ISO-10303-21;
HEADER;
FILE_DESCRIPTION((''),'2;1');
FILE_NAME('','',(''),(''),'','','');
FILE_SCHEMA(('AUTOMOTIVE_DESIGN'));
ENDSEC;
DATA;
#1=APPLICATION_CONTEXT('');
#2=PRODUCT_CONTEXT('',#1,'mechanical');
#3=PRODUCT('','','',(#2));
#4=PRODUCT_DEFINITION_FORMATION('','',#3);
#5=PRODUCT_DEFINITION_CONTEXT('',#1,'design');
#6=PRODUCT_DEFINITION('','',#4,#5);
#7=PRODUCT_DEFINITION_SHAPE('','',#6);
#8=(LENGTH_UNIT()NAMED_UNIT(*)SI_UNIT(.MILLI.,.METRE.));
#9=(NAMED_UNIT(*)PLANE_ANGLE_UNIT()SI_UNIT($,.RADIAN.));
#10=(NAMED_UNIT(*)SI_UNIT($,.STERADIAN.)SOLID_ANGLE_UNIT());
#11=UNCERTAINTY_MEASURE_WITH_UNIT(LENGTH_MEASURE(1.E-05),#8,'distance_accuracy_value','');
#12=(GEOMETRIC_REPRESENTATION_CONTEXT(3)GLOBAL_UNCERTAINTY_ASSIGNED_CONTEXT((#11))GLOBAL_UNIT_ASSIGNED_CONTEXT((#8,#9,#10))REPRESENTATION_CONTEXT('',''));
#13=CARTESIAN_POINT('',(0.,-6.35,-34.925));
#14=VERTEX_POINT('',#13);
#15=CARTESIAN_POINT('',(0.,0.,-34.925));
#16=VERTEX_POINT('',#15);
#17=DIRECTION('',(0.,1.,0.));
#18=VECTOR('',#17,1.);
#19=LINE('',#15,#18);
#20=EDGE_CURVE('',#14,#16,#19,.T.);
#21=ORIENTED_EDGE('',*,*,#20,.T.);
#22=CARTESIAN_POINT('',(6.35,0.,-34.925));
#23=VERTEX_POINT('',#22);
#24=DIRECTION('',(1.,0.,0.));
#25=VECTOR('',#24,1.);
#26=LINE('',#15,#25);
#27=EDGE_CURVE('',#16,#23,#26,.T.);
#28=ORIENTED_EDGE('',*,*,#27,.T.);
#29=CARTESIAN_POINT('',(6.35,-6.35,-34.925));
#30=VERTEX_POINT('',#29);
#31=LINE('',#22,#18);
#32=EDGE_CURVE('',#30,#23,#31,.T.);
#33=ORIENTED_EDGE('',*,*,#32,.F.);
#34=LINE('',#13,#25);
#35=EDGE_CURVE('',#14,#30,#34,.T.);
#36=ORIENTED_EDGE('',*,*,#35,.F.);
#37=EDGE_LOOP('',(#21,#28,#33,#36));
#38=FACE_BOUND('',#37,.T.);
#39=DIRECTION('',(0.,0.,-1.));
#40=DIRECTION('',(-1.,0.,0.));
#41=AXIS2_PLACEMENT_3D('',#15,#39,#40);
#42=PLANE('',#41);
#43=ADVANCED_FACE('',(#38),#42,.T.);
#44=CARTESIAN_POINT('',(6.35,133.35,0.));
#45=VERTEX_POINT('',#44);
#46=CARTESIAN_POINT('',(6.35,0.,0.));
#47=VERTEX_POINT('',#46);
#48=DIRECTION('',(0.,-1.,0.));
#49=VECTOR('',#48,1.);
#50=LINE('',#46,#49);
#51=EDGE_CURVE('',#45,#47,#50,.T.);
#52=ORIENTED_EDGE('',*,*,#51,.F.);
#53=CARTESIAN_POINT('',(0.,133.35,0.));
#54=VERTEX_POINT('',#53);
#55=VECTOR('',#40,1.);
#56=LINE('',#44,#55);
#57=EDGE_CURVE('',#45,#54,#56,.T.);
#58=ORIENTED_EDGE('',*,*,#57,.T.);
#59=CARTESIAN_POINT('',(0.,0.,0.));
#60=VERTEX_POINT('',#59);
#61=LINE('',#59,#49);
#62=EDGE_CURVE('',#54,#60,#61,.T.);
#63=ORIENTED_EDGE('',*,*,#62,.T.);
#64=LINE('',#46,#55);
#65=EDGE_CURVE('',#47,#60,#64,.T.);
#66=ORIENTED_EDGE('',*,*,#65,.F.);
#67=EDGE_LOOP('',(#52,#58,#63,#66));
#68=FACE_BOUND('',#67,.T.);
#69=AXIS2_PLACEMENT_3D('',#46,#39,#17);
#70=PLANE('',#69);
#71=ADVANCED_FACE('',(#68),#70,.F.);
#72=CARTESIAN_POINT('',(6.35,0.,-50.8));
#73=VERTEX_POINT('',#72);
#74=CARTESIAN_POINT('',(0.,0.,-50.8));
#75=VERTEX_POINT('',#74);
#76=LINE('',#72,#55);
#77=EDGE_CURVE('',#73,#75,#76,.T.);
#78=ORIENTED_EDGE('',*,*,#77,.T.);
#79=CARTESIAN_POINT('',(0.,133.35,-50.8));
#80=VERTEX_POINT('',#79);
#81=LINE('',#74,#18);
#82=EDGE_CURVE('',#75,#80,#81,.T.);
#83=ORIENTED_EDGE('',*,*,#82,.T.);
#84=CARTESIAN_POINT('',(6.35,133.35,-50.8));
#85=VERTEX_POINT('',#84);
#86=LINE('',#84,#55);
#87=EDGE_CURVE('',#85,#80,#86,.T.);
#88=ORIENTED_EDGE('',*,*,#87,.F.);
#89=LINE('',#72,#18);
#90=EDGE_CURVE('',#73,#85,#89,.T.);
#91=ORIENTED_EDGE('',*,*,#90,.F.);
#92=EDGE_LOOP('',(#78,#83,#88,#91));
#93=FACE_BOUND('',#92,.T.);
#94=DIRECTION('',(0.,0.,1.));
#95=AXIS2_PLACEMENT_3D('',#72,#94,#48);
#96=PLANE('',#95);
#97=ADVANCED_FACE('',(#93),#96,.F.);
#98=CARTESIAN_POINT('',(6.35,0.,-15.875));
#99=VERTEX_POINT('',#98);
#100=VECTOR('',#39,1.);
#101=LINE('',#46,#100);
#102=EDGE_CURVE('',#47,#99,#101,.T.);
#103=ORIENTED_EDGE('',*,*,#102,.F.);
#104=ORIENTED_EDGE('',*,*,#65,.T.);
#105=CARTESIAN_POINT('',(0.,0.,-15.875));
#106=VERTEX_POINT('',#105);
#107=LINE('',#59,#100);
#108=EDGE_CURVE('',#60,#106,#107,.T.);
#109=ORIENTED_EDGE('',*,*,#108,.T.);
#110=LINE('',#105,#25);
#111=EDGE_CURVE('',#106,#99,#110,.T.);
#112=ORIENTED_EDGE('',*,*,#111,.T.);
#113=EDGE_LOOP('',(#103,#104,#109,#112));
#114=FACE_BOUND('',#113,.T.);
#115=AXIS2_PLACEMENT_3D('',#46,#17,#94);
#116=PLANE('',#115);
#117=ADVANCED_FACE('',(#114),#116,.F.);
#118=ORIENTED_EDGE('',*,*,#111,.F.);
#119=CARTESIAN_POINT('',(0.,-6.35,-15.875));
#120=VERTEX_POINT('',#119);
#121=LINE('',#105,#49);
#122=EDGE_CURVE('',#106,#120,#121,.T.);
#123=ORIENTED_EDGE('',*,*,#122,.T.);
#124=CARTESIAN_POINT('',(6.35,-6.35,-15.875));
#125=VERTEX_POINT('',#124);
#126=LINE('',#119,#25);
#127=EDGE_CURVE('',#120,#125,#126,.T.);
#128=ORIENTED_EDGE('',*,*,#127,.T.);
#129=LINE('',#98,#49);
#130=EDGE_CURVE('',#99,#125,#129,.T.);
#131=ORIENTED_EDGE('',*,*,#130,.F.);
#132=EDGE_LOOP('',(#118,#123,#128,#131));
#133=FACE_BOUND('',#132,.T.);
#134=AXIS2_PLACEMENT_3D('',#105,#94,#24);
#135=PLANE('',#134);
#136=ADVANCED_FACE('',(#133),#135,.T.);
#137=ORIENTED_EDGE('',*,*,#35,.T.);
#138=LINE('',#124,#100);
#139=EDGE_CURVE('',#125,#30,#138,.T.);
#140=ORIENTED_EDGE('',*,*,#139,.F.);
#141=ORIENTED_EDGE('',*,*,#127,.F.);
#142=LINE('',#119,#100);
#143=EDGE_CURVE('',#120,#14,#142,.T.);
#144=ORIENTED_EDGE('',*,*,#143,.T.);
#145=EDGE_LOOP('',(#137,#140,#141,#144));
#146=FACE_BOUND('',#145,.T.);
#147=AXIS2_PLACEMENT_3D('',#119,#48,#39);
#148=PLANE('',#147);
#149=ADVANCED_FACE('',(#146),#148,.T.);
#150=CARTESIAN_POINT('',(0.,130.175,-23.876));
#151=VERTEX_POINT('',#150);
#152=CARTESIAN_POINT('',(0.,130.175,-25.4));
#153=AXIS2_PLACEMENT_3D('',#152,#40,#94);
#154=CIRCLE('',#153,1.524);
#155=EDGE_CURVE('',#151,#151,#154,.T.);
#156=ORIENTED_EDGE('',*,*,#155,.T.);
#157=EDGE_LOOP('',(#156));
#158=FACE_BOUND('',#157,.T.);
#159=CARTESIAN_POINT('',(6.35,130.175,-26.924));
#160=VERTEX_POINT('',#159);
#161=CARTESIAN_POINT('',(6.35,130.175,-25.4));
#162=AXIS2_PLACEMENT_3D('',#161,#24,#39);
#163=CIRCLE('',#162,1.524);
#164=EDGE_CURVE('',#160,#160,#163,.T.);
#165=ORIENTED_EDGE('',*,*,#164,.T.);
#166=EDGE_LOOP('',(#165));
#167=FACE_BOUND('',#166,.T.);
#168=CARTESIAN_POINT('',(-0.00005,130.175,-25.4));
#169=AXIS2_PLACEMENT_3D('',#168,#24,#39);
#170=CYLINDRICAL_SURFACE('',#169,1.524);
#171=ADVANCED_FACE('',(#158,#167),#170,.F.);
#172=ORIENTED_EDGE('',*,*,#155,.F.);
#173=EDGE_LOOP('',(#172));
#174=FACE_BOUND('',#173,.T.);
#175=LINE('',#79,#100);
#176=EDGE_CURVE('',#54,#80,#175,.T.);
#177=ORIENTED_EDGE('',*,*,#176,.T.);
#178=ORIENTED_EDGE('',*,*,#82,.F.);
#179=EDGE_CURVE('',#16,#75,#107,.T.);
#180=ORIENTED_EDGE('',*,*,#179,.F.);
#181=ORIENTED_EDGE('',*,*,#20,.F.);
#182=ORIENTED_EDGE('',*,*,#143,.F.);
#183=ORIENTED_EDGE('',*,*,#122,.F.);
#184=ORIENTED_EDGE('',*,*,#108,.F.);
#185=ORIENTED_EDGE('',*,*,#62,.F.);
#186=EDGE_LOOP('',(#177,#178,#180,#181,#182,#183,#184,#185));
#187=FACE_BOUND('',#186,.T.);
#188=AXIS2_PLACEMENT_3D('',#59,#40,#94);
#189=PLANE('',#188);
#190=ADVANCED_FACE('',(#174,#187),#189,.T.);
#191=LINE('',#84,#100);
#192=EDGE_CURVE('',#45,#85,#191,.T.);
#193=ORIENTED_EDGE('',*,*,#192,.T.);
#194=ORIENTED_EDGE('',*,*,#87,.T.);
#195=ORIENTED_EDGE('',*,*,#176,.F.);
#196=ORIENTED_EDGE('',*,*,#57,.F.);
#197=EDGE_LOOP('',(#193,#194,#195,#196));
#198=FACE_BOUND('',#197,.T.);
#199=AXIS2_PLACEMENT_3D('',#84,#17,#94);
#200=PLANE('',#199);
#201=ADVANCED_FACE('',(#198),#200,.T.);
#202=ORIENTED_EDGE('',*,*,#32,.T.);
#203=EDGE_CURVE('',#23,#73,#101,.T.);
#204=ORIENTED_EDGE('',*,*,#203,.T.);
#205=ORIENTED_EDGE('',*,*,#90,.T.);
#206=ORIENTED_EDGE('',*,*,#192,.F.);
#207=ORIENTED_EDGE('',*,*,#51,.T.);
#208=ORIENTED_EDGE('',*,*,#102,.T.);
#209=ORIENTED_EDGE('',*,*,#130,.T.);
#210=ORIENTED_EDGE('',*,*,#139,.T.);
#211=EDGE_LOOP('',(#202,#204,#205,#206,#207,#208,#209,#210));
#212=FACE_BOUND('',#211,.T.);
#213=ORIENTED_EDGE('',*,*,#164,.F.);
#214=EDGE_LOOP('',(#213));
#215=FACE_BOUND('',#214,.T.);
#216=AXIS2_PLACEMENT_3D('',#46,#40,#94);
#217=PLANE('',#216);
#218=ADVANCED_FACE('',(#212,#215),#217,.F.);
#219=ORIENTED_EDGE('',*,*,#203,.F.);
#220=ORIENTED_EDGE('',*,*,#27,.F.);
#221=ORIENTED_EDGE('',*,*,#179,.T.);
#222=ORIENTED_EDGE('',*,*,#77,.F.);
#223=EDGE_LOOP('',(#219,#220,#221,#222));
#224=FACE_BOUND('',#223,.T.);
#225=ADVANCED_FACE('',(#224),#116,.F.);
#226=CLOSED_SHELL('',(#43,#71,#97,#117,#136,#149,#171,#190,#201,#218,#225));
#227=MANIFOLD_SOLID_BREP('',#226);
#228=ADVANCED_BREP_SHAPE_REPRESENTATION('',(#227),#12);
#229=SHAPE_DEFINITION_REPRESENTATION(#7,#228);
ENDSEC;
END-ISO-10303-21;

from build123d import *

# Parameters (mm, degrees)
SKETCH2_W           = 50.8
SKETCH2_H           = 127
BOSS_EXTRUDE1_DEPTH = 6.35
SKETCH3_W           = 19.05
SKETCH3_H           = 6.35
BOSS_EXTRUDE2_DEPTH = 6.35
SKETCH5_W           = 50.8
SKETCH5_H           = 6.35
BOSS_EXTRUDE3_DEPTH = 6.35
SKETCH6_R           = 1.524
CUT_EXTRUDE1_DEPTH  = 143.839717866


with BuildPart() as part:
    # Sketch2 → Boss-Extrude1 (new body)
    with BuildSketch(Plane(origin=(0, 0, 0), x_dir=(0, 0, -1), z_dir=(1, 0, 0))):
        with Locations((25.4, 63.5)):
            Rectangle(SKETCH2_W, SKETCH2_H)
    extrude(amount=BOSS_EXTRUDE1_DEPTH)

    # Sketch3 → Boss-Extrude2 (add)
    with BuildSketch(Plane(origin=(6.35, 0, 0), x_dir=(0, 0, -1), z_dir=(1, 0, 0))):
        with Locations((25.4, -3.175)):
            Rectangle(SKETCH3_W, SKETCH3_H)
    extrude(amount=-BOSS_EXTRUDE2_DEPTH)

    # Sketch5 → Boss-Extrude3 (add)
    with BuildSketch(Plane.ZY):
        with Locations((-25.4, 130.175)):
            Rectangle(SKETCH5_W, SKETCH5_H)
    extrude(amount=-BOSS_EXTRUDE3_DEPTH)

    # Sketch6 → Cut-Extrude1 (cut, through all)
    with BuildSketch(Plane(origin=(6.35, 0, 0), x_dir=(0, 0, -1), z_dir=(1, 0, 0))):
        with Locations((25.4, 130.175)):
            Circle(SKETCH6_R)
    extrude(amount=-CUT_EXTRUDE1_DEPTH, mode=Mode.SUBTRACT)


solid = part.part
